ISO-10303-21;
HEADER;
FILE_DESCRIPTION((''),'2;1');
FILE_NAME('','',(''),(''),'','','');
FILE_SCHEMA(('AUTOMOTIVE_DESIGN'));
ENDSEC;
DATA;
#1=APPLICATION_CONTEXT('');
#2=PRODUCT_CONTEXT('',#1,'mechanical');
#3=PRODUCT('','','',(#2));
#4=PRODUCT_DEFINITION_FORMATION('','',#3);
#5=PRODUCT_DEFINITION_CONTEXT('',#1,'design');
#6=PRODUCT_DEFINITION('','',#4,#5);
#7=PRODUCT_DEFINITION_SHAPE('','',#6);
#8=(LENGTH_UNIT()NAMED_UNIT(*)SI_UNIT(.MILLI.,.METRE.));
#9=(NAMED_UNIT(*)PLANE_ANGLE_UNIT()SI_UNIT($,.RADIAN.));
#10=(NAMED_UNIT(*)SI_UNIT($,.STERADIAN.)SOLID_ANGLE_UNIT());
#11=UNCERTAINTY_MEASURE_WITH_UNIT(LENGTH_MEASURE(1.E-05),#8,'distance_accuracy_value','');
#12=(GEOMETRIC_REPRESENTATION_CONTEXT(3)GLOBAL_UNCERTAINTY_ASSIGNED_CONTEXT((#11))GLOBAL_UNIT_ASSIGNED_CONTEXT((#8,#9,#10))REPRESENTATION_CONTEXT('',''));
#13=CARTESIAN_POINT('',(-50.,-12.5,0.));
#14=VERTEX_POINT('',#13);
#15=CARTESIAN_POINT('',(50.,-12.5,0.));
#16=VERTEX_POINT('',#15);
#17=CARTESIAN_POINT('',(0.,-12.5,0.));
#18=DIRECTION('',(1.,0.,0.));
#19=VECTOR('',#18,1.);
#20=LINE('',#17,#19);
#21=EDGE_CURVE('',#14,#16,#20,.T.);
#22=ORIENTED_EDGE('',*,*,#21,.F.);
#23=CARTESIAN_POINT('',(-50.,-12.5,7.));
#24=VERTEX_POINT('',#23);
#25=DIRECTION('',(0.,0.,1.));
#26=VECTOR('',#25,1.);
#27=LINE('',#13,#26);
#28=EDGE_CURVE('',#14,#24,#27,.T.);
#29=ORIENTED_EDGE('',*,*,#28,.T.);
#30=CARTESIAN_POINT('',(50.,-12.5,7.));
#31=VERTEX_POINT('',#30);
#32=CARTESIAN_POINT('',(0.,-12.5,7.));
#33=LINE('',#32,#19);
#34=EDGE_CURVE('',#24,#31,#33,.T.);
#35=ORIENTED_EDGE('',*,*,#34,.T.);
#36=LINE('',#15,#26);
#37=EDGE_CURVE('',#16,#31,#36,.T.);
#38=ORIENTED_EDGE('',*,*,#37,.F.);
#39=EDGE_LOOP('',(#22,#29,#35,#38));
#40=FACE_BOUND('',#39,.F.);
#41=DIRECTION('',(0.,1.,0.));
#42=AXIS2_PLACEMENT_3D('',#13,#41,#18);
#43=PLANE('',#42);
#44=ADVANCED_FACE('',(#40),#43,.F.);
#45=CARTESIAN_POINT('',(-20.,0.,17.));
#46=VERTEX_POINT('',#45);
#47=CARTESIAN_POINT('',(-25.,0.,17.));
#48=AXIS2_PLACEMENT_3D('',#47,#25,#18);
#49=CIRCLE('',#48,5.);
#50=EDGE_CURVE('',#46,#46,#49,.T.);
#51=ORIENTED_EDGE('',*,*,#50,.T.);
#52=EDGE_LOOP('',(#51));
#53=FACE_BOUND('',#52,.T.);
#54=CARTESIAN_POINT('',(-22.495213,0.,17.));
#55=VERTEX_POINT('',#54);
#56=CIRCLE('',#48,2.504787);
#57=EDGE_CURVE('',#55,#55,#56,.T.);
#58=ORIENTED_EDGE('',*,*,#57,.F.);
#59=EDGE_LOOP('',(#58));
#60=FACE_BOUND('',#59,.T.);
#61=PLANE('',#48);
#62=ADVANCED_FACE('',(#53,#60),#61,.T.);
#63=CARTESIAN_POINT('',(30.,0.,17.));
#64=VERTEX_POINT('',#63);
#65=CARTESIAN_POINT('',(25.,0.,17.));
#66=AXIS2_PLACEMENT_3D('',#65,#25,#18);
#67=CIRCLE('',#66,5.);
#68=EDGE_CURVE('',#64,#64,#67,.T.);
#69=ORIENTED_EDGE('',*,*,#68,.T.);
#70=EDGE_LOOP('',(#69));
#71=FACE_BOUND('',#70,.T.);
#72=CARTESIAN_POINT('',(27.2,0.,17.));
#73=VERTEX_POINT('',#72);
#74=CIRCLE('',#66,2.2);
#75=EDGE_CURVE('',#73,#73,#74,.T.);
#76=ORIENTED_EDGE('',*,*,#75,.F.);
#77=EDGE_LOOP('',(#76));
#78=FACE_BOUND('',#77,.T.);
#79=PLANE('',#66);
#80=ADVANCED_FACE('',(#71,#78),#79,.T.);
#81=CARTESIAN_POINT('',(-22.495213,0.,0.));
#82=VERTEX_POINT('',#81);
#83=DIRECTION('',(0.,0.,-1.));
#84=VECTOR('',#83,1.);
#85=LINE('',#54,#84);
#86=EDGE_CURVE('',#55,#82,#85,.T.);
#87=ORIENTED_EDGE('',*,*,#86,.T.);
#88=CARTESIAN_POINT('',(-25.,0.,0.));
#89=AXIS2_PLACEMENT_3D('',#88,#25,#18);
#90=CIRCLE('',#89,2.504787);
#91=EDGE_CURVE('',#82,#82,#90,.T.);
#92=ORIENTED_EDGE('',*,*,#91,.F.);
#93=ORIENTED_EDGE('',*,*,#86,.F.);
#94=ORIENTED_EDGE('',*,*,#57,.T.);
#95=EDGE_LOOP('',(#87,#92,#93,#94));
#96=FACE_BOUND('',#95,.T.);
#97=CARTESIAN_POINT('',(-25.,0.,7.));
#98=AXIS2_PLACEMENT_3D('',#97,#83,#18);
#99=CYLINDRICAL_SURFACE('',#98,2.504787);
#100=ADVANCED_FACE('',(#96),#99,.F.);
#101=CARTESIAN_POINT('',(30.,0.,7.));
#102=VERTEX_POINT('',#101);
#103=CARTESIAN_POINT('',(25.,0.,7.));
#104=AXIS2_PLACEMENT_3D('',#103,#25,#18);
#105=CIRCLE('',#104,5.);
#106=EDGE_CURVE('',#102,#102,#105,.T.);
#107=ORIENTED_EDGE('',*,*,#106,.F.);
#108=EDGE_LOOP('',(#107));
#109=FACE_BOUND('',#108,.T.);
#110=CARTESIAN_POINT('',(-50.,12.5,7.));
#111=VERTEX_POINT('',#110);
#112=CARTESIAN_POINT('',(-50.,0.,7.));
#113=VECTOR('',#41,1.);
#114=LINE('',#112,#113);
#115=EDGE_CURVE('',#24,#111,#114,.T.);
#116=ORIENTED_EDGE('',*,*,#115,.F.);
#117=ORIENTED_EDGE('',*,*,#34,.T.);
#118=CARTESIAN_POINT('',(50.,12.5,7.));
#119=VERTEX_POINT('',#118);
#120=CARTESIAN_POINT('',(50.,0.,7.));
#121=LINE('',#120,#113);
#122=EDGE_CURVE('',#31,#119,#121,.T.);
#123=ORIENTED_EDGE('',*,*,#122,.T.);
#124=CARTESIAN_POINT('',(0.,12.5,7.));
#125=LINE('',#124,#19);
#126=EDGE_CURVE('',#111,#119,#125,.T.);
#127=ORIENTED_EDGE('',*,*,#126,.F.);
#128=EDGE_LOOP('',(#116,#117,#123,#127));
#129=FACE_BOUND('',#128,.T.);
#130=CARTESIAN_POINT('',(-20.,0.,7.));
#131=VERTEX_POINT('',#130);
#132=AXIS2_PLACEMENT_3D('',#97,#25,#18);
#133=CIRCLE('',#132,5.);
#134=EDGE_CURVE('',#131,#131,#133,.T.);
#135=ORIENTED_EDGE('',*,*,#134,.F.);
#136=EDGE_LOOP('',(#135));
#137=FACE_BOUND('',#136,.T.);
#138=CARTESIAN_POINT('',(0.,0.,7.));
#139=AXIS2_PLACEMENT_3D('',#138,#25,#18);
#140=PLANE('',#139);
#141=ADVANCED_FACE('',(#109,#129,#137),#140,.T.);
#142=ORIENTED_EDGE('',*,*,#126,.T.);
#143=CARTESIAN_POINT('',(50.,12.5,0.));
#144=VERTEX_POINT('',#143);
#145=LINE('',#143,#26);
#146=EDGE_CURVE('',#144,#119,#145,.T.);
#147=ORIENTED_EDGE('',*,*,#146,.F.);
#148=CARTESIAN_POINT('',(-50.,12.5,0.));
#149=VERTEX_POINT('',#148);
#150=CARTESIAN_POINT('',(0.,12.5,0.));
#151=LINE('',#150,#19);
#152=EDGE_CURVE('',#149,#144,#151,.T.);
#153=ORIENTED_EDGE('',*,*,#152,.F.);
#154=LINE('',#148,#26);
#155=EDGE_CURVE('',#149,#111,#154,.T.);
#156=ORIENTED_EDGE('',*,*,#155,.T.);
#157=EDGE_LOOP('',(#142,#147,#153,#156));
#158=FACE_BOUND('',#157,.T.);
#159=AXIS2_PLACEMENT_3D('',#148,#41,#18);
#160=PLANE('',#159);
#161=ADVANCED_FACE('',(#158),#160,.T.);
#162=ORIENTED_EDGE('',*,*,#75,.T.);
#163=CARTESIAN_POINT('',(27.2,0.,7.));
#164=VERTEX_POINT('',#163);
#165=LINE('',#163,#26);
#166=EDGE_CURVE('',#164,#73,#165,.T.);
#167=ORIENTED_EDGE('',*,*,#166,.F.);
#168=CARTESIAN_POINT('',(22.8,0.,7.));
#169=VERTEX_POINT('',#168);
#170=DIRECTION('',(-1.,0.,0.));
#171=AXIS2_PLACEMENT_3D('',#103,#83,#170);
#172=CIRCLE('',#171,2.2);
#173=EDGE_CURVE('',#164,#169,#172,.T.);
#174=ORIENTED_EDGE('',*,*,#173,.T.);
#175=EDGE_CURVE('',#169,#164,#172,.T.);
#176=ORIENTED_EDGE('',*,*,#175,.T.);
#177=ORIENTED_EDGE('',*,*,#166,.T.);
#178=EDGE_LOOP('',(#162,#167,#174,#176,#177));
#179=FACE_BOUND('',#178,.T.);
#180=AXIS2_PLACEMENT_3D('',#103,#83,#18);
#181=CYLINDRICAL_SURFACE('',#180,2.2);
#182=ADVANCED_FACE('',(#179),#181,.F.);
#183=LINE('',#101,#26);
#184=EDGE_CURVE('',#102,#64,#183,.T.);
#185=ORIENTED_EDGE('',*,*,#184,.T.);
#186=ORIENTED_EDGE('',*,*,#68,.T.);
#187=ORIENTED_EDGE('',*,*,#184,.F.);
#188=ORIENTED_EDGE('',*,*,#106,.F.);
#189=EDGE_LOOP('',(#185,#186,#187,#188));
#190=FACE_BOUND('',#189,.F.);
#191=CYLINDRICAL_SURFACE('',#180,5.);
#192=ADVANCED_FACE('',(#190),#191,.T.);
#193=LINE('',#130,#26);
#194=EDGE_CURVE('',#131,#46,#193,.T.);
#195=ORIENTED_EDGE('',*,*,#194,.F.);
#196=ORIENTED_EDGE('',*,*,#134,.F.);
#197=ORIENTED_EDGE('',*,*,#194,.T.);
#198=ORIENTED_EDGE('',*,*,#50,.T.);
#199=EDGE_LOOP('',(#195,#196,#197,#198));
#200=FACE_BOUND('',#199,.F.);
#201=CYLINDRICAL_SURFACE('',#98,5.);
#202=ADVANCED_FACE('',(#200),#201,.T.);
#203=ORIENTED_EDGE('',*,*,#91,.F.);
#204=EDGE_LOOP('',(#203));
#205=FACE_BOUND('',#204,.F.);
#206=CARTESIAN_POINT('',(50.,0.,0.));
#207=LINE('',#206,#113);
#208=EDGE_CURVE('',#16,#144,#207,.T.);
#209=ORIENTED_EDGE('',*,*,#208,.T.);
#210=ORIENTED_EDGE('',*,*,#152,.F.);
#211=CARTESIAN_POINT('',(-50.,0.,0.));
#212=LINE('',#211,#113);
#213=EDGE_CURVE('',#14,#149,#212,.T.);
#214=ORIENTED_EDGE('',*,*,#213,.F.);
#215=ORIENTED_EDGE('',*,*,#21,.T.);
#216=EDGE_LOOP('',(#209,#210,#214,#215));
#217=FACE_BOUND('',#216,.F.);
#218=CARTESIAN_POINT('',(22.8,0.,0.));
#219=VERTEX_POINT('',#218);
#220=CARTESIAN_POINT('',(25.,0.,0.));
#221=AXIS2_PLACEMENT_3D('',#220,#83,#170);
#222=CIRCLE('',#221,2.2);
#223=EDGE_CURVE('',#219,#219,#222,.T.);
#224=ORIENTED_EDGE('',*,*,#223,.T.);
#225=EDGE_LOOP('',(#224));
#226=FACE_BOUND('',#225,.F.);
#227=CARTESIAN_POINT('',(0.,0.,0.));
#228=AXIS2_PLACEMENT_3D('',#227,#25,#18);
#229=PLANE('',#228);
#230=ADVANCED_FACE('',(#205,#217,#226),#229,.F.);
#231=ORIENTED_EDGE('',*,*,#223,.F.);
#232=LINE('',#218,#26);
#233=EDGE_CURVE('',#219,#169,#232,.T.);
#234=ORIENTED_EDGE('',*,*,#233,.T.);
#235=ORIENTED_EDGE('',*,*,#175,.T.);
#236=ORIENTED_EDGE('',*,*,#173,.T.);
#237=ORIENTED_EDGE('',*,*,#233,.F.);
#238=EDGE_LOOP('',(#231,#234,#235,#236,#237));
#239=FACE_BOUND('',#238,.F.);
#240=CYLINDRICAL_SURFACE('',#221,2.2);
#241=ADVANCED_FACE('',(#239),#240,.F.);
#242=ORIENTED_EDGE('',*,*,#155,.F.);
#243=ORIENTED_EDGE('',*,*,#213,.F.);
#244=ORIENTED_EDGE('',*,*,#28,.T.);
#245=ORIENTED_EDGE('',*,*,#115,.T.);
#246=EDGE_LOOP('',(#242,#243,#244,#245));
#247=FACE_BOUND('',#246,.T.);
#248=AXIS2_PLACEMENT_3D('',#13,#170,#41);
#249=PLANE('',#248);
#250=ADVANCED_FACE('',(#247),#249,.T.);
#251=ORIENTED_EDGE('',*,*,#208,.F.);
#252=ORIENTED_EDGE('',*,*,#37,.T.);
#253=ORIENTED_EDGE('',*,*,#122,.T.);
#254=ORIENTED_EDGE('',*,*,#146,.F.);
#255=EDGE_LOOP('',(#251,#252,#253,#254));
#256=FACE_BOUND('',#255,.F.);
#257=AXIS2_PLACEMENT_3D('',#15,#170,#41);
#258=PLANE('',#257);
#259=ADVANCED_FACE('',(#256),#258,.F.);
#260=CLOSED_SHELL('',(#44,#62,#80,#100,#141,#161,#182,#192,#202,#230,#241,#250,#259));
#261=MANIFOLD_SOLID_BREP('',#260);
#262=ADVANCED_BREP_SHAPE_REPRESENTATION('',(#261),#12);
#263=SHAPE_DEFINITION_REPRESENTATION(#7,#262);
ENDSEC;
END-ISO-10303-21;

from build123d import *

# Parameters (mm, degrees)
F0_W     = 100
F0_H     = 25
F0_R     = 2.504787
F1_DEPTH = 7
F2_R     = 5
F2_R_2   = 2.504787
F2_R_3   = 2.2
F3_DEPTH = 10


with BuildPart() as f1:
    # F0 (on Top) → F1 (new body)
    with BuildSketch(Plane.XY):
        Rectangle(F0_W, F0_H)
        with Locations((-25, 0)):
            Circle(F0_R, mode=Mode.SUBTRACT)
        with BuildLine():
            ThreePointArc((27.2, 0), (25, -2.2), (22.8, 0))
            ThreePointArc((22.8, 0), (25, 2.2), (27.2, 0))
        make_face(mode=Mode.SUBTRACT)
    extrude(amount=F1_DEPTH)

    # F2 (on face) → F3 (join)
    with BuildSketch(Plane.XY.offset(7)):
        with Locations((-25, 0)):
            Circle(F2_R)
        with Locations((-25, 0)):
            Circle(F2_R_2, mode=Mode.SUBTRACT)
        with Locations((25, 0)):
            Circle(F2_R)
        with Locations((25, 0)):
            Circle(F2_R_3, mode=Mode.SUBTRACT)
    extrude(amount=F3_DEPTH)


solid = f1.part
